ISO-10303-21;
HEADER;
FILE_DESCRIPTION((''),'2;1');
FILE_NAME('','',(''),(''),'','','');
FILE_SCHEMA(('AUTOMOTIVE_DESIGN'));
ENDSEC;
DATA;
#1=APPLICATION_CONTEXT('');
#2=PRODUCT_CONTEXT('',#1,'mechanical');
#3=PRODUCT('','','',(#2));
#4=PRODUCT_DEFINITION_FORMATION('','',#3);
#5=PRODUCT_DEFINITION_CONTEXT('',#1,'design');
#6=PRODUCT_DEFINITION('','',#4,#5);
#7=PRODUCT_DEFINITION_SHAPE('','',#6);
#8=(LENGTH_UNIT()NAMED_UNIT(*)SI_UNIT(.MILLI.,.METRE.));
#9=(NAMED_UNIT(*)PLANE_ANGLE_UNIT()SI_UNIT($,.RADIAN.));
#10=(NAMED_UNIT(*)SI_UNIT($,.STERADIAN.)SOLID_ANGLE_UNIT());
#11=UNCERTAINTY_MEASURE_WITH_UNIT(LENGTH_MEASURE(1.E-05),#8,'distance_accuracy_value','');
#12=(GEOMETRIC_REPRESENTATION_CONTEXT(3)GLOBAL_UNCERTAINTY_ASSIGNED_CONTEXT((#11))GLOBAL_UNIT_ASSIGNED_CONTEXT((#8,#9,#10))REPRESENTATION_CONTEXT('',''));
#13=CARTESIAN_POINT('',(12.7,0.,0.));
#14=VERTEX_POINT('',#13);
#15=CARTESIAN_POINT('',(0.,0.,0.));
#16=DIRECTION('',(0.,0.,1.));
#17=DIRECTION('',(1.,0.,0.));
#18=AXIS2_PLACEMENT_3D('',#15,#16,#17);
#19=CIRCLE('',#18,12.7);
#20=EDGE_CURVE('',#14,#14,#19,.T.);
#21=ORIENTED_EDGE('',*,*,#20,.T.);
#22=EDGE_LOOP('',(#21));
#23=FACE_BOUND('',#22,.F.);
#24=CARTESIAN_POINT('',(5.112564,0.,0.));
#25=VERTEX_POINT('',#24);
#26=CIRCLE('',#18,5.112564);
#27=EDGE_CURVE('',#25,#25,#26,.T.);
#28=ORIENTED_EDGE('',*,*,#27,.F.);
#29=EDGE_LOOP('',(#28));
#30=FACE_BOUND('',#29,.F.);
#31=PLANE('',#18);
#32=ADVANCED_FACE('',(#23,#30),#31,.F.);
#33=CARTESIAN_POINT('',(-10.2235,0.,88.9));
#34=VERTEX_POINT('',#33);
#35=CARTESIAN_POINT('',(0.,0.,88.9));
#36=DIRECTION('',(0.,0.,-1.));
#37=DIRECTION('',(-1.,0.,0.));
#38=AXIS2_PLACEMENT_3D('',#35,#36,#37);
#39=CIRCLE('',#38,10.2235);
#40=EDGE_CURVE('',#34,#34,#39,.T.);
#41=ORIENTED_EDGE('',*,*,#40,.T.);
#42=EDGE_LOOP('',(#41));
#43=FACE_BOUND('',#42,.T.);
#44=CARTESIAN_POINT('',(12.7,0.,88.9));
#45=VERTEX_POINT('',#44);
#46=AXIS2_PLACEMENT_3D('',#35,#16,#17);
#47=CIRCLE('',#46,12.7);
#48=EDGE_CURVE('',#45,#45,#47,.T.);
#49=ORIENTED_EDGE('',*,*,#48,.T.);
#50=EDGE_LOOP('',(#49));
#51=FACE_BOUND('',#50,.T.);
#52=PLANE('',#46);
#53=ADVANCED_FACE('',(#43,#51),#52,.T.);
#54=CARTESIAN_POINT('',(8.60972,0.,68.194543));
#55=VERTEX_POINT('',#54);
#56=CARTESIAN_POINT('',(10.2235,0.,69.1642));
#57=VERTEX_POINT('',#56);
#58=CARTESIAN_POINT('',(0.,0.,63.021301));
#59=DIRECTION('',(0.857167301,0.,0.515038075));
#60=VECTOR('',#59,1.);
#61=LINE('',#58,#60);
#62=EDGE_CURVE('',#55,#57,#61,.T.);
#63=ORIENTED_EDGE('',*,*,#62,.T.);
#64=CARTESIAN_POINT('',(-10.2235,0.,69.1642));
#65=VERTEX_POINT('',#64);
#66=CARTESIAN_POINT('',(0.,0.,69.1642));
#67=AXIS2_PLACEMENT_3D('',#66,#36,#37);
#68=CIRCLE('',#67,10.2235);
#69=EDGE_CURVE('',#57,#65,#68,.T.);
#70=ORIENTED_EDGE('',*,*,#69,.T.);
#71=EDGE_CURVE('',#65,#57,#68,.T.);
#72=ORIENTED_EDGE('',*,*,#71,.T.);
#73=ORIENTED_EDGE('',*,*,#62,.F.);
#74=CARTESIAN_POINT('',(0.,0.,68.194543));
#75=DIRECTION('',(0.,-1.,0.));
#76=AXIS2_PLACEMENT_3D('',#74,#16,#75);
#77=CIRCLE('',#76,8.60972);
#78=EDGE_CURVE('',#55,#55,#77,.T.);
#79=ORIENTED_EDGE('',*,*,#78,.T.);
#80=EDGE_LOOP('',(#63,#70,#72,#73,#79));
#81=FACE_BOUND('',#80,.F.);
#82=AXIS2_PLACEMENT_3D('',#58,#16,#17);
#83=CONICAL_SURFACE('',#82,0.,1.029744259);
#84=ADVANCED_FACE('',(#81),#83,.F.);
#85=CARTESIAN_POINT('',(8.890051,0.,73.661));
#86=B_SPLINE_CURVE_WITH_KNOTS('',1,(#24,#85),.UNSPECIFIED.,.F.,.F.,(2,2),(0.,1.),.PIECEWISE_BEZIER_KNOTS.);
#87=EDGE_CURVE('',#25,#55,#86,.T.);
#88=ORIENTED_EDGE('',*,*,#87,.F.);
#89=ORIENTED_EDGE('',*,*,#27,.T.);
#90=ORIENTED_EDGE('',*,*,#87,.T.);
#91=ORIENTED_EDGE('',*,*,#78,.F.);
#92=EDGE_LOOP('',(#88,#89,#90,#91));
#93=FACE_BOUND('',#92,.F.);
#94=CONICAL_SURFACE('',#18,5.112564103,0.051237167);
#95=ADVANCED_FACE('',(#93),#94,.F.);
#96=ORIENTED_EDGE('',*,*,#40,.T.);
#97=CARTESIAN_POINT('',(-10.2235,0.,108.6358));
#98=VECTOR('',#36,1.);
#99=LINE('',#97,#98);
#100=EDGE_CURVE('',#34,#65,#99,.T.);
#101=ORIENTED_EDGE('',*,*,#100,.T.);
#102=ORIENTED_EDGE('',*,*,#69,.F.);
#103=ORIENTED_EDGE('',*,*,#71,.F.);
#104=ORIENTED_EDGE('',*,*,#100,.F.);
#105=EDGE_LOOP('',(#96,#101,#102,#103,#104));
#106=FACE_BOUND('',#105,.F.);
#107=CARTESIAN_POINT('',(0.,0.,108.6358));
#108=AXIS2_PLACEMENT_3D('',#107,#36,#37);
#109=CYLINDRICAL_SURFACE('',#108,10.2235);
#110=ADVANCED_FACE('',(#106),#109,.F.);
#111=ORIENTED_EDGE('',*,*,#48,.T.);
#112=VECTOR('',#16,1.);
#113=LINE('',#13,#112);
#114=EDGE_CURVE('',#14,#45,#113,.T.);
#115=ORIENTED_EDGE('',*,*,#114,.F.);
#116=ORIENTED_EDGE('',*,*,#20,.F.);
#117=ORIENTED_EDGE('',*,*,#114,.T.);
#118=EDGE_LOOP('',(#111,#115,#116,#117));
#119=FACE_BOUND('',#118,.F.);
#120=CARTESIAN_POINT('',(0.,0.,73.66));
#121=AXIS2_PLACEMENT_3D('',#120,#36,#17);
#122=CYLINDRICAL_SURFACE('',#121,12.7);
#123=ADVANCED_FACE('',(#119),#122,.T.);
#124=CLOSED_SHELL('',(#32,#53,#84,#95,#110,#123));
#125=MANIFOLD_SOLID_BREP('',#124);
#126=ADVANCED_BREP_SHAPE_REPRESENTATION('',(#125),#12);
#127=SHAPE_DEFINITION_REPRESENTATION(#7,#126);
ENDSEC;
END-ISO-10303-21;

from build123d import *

# Parameters (mm, degrees)
F0_R     = 12.7
F1_DEPTH = 73.66
F2_R     = 5.1125641025
F3_DEPTH = 73.661
F3_TAPER = -2.9356734464
F4_R     = 12.7
F5_DEPTH = 15.24
F8_D     = 20.447
F8_DEPTH = 19.7358
F8_TIP   = 6.1428985386


with BuildPart() as f1:
    # F0 (on Top) → F1 (new body)
    with BuildSketch(Plane.XY):
        Circle(F0_R)
    extrude(amount=F1_DEPTH)

    # F2 (on Top) → F3 (cut, through all)
    with BuildSketch(Plane.XY):
        Circle(F2_R)
    extrude(amount=F3_DEPTH, taper=F3_TAPER, mode=Mode.SUBTRACT)

    # F4 (on face) → F5 (join)
    with BuildSketch(Plane.XY.offset(73.66)):
        Circle(F4_R)
    extrude(amount=F5_DEPTH)

    # F8
    with Locations(Plane.XY.offset(88.9)):
        with Locations((0, 0)):
            Hole(F8_D / 2, depth=F8_DEPTH)
            with Locations((0, 0, -(F8_DEPTH + F8_TIP / 2))):  # 118° drill point
                Cone(0, F8_D / 2, F8_TIP, mode=Mode.SUBTRACT)


solid = f1.part
